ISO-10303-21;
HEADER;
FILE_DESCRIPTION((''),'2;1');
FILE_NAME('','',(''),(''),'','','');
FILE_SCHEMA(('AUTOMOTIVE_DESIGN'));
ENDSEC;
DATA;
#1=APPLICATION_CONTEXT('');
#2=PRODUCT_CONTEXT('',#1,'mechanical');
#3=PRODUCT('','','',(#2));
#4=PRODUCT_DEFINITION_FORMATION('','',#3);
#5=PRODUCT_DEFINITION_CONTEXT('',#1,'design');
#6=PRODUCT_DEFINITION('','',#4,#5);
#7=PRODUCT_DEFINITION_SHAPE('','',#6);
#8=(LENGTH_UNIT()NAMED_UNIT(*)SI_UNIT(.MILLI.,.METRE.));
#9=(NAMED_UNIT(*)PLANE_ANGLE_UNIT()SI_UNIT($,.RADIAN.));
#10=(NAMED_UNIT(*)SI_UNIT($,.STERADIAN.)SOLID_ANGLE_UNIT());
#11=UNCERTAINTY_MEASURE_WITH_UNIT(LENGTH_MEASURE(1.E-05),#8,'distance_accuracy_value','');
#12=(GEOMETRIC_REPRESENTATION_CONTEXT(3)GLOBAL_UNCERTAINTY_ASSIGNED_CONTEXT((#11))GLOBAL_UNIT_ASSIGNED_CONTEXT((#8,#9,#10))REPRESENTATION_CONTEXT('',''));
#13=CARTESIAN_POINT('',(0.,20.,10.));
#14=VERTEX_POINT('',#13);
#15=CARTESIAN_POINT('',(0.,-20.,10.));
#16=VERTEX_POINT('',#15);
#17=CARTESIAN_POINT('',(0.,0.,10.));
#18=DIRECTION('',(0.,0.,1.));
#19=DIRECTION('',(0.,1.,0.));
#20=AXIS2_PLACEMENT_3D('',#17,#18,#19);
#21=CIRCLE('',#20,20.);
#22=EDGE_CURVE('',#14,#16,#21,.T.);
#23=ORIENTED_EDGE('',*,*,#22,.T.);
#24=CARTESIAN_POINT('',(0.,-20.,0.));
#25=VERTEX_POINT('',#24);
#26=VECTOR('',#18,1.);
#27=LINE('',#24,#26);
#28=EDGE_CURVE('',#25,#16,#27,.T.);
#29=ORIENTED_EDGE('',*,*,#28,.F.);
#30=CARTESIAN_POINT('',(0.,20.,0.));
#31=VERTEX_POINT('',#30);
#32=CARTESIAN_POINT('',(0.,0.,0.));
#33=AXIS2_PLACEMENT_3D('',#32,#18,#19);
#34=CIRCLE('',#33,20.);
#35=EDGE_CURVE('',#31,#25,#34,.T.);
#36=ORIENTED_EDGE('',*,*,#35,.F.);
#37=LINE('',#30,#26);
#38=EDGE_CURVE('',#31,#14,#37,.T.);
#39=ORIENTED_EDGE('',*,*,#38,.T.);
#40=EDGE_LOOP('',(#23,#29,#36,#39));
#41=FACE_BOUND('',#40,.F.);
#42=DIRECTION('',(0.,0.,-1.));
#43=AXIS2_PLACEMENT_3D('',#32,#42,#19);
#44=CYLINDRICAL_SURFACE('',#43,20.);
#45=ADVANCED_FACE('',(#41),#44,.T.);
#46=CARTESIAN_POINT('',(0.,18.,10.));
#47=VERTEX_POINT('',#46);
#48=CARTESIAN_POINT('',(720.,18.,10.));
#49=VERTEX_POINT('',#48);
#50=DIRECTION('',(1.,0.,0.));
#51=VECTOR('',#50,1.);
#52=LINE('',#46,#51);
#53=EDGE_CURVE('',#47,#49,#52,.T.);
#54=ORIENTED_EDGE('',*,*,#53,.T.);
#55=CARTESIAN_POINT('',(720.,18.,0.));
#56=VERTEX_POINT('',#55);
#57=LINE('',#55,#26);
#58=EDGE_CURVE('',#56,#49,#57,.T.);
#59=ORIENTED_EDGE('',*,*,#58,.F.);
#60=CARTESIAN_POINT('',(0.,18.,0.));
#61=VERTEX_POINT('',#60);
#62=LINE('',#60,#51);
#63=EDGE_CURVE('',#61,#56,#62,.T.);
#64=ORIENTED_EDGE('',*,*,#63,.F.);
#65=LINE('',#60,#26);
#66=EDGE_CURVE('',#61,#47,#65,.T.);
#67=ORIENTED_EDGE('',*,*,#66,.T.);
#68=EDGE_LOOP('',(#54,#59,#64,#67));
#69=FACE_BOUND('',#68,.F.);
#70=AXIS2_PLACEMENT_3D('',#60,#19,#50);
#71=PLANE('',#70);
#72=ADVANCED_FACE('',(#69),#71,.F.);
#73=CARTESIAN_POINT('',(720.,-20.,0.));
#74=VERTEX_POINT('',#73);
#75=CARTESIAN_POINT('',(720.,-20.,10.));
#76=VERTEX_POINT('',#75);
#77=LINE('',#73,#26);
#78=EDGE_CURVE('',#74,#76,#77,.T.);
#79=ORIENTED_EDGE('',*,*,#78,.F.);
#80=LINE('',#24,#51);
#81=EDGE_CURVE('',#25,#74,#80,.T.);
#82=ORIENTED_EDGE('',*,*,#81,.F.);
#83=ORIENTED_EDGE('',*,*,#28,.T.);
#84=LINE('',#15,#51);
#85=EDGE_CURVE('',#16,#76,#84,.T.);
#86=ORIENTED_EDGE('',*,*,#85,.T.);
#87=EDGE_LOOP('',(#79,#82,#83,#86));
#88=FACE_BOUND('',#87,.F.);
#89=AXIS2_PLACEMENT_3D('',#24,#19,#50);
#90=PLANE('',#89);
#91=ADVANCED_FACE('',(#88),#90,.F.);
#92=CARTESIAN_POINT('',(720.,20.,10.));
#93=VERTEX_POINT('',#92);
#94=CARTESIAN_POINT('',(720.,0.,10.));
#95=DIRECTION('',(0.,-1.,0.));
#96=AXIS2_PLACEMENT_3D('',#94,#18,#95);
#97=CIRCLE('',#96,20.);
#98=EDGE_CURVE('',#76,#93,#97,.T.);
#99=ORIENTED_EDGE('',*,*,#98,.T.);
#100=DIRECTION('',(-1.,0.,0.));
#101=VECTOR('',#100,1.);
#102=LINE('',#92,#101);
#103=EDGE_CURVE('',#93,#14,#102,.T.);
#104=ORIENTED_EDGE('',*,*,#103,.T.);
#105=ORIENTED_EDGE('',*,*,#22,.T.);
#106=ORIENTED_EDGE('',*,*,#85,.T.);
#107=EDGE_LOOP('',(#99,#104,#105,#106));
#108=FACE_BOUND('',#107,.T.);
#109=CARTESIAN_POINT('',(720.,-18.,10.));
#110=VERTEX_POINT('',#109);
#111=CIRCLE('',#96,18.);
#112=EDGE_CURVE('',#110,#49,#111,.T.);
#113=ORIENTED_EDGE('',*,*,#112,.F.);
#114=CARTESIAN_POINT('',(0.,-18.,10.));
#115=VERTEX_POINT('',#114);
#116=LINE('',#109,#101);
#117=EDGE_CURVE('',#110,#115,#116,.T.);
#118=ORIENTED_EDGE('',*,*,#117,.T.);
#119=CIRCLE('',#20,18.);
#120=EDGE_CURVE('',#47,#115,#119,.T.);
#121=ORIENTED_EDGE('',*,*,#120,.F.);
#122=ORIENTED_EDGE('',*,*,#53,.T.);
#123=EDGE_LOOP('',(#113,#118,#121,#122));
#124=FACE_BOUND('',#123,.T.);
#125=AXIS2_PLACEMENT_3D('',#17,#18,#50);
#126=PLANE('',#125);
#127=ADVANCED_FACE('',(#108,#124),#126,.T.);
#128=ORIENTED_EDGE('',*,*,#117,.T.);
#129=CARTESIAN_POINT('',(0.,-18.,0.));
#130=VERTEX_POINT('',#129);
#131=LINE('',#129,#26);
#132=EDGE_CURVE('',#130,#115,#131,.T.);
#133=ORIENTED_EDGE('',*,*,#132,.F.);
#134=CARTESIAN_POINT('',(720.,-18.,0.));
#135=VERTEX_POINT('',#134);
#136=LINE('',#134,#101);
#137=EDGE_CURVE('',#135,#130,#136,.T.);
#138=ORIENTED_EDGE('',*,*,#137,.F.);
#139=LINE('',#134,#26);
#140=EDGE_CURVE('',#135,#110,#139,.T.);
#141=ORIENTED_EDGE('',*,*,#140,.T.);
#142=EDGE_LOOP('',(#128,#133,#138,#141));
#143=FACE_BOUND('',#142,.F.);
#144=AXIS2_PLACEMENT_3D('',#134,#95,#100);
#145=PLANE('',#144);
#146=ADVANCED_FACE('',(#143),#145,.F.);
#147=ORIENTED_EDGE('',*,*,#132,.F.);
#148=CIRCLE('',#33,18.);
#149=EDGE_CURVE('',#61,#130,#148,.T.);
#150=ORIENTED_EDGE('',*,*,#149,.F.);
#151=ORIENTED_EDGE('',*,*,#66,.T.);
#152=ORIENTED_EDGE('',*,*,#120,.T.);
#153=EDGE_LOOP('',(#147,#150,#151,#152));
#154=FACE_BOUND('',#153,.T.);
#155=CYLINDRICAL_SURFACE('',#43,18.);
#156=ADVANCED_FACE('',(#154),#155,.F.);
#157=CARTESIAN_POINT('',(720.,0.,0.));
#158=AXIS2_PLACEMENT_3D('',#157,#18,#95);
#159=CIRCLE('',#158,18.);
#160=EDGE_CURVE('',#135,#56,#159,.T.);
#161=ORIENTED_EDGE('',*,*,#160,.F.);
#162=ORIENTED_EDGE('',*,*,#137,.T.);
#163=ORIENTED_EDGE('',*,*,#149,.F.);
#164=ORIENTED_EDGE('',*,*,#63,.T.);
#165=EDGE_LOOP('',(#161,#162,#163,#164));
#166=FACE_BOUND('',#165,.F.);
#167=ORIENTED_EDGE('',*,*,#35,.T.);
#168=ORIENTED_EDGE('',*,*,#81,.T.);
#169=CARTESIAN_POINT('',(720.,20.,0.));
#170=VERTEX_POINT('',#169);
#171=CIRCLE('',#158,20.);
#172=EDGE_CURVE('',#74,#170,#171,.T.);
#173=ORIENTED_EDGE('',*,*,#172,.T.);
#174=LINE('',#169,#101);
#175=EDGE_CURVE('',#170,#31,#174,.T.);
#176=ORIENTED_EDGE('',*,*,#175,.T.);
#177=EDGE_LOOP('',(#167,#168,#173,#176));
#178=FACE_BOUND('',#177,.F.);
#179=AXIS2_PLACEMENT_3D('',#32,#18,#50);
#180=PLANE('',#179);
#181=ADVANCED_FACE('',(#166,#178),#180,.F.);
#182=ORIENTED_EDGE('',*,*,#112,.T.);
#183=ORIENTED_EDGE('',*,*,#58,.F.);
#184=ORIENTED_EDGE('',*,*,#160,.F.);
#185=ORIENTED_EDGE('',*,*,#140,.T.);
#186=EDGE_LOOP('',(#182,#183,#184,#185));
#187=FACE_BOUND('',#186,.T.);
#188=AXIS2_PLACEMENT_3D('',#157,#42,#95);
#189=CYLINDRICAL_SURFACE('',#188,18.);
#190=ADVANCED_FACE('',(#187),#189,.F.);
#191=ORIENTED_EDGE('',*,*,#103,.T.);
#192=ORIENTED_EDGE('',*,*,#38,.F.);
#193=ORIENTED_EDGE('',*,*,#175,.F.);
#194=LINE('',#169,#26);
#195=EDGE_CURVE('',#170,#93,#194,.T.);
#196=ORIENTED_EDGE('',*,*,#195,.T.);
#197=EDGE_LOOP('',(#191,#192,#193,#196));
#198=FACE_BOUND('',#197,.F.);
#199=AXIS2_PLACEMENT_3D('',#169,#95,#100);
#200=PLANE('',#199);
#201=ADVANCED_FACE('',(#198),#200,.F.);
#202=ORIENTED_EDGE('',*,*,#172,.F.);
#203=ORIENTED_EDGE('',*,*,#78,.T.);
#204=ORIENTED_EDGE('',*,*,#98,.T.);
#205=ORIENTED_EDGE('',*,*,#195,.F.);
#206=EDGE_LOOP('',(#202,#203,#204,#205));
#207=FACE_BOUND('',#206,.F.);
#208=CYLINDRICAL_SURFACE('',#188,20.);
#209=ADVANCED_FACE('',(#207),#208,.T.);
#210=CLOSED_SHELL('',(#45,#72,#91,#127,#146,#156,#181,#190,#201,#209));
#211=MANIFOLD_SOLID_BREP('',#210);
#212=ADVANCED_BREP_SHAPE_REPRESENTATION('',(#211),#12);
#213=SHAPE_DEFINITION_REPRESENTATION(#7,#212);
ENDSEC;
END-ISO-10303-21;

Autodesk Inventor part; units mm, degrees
ref_plane "YZ Plane" through (0, 0, 0) normal (1, 0, 0) x (0, 1, 0)
ref_plane "XZ Plane" through (0, 0, 0) normal (0, 1, 0) x (-1, 0, 0)
ref_plane "XY Plane" through (0, 0, 0) normal (0, 0, 1) x (1, 0, 0)
sketch "草图1" plane through (0, 0, 0) normal (0, 0, 1) x (1, 0, 0)
  arc A0 (0, 18) -> (0, -18) centre (0, 0) ccw
  arc A1 (720, -18) -> (720, 18) centre (720, 0) ccw
  line L0 (0, 18) -> (720, 18)
  line L1 (720, -18) -> (0, -18)
  line L2 (720, 20) -> (0, 20)
  arc A2 (0, 20) -> (0, -20) centre (0, 0) ccw
  line L3 (0, -20) -> (720, -20)
  arc A3 (720, -20) -> (720, 20) centre (720, 0) ccw
  dimension "d0" = 36
  dimension "d1" = 36
  dimension "d2" = 720
  dimension "d3" = 2
extrude "拉伸1" add sketch "草图1" along normal blind 10
properties part number "皮带4"
